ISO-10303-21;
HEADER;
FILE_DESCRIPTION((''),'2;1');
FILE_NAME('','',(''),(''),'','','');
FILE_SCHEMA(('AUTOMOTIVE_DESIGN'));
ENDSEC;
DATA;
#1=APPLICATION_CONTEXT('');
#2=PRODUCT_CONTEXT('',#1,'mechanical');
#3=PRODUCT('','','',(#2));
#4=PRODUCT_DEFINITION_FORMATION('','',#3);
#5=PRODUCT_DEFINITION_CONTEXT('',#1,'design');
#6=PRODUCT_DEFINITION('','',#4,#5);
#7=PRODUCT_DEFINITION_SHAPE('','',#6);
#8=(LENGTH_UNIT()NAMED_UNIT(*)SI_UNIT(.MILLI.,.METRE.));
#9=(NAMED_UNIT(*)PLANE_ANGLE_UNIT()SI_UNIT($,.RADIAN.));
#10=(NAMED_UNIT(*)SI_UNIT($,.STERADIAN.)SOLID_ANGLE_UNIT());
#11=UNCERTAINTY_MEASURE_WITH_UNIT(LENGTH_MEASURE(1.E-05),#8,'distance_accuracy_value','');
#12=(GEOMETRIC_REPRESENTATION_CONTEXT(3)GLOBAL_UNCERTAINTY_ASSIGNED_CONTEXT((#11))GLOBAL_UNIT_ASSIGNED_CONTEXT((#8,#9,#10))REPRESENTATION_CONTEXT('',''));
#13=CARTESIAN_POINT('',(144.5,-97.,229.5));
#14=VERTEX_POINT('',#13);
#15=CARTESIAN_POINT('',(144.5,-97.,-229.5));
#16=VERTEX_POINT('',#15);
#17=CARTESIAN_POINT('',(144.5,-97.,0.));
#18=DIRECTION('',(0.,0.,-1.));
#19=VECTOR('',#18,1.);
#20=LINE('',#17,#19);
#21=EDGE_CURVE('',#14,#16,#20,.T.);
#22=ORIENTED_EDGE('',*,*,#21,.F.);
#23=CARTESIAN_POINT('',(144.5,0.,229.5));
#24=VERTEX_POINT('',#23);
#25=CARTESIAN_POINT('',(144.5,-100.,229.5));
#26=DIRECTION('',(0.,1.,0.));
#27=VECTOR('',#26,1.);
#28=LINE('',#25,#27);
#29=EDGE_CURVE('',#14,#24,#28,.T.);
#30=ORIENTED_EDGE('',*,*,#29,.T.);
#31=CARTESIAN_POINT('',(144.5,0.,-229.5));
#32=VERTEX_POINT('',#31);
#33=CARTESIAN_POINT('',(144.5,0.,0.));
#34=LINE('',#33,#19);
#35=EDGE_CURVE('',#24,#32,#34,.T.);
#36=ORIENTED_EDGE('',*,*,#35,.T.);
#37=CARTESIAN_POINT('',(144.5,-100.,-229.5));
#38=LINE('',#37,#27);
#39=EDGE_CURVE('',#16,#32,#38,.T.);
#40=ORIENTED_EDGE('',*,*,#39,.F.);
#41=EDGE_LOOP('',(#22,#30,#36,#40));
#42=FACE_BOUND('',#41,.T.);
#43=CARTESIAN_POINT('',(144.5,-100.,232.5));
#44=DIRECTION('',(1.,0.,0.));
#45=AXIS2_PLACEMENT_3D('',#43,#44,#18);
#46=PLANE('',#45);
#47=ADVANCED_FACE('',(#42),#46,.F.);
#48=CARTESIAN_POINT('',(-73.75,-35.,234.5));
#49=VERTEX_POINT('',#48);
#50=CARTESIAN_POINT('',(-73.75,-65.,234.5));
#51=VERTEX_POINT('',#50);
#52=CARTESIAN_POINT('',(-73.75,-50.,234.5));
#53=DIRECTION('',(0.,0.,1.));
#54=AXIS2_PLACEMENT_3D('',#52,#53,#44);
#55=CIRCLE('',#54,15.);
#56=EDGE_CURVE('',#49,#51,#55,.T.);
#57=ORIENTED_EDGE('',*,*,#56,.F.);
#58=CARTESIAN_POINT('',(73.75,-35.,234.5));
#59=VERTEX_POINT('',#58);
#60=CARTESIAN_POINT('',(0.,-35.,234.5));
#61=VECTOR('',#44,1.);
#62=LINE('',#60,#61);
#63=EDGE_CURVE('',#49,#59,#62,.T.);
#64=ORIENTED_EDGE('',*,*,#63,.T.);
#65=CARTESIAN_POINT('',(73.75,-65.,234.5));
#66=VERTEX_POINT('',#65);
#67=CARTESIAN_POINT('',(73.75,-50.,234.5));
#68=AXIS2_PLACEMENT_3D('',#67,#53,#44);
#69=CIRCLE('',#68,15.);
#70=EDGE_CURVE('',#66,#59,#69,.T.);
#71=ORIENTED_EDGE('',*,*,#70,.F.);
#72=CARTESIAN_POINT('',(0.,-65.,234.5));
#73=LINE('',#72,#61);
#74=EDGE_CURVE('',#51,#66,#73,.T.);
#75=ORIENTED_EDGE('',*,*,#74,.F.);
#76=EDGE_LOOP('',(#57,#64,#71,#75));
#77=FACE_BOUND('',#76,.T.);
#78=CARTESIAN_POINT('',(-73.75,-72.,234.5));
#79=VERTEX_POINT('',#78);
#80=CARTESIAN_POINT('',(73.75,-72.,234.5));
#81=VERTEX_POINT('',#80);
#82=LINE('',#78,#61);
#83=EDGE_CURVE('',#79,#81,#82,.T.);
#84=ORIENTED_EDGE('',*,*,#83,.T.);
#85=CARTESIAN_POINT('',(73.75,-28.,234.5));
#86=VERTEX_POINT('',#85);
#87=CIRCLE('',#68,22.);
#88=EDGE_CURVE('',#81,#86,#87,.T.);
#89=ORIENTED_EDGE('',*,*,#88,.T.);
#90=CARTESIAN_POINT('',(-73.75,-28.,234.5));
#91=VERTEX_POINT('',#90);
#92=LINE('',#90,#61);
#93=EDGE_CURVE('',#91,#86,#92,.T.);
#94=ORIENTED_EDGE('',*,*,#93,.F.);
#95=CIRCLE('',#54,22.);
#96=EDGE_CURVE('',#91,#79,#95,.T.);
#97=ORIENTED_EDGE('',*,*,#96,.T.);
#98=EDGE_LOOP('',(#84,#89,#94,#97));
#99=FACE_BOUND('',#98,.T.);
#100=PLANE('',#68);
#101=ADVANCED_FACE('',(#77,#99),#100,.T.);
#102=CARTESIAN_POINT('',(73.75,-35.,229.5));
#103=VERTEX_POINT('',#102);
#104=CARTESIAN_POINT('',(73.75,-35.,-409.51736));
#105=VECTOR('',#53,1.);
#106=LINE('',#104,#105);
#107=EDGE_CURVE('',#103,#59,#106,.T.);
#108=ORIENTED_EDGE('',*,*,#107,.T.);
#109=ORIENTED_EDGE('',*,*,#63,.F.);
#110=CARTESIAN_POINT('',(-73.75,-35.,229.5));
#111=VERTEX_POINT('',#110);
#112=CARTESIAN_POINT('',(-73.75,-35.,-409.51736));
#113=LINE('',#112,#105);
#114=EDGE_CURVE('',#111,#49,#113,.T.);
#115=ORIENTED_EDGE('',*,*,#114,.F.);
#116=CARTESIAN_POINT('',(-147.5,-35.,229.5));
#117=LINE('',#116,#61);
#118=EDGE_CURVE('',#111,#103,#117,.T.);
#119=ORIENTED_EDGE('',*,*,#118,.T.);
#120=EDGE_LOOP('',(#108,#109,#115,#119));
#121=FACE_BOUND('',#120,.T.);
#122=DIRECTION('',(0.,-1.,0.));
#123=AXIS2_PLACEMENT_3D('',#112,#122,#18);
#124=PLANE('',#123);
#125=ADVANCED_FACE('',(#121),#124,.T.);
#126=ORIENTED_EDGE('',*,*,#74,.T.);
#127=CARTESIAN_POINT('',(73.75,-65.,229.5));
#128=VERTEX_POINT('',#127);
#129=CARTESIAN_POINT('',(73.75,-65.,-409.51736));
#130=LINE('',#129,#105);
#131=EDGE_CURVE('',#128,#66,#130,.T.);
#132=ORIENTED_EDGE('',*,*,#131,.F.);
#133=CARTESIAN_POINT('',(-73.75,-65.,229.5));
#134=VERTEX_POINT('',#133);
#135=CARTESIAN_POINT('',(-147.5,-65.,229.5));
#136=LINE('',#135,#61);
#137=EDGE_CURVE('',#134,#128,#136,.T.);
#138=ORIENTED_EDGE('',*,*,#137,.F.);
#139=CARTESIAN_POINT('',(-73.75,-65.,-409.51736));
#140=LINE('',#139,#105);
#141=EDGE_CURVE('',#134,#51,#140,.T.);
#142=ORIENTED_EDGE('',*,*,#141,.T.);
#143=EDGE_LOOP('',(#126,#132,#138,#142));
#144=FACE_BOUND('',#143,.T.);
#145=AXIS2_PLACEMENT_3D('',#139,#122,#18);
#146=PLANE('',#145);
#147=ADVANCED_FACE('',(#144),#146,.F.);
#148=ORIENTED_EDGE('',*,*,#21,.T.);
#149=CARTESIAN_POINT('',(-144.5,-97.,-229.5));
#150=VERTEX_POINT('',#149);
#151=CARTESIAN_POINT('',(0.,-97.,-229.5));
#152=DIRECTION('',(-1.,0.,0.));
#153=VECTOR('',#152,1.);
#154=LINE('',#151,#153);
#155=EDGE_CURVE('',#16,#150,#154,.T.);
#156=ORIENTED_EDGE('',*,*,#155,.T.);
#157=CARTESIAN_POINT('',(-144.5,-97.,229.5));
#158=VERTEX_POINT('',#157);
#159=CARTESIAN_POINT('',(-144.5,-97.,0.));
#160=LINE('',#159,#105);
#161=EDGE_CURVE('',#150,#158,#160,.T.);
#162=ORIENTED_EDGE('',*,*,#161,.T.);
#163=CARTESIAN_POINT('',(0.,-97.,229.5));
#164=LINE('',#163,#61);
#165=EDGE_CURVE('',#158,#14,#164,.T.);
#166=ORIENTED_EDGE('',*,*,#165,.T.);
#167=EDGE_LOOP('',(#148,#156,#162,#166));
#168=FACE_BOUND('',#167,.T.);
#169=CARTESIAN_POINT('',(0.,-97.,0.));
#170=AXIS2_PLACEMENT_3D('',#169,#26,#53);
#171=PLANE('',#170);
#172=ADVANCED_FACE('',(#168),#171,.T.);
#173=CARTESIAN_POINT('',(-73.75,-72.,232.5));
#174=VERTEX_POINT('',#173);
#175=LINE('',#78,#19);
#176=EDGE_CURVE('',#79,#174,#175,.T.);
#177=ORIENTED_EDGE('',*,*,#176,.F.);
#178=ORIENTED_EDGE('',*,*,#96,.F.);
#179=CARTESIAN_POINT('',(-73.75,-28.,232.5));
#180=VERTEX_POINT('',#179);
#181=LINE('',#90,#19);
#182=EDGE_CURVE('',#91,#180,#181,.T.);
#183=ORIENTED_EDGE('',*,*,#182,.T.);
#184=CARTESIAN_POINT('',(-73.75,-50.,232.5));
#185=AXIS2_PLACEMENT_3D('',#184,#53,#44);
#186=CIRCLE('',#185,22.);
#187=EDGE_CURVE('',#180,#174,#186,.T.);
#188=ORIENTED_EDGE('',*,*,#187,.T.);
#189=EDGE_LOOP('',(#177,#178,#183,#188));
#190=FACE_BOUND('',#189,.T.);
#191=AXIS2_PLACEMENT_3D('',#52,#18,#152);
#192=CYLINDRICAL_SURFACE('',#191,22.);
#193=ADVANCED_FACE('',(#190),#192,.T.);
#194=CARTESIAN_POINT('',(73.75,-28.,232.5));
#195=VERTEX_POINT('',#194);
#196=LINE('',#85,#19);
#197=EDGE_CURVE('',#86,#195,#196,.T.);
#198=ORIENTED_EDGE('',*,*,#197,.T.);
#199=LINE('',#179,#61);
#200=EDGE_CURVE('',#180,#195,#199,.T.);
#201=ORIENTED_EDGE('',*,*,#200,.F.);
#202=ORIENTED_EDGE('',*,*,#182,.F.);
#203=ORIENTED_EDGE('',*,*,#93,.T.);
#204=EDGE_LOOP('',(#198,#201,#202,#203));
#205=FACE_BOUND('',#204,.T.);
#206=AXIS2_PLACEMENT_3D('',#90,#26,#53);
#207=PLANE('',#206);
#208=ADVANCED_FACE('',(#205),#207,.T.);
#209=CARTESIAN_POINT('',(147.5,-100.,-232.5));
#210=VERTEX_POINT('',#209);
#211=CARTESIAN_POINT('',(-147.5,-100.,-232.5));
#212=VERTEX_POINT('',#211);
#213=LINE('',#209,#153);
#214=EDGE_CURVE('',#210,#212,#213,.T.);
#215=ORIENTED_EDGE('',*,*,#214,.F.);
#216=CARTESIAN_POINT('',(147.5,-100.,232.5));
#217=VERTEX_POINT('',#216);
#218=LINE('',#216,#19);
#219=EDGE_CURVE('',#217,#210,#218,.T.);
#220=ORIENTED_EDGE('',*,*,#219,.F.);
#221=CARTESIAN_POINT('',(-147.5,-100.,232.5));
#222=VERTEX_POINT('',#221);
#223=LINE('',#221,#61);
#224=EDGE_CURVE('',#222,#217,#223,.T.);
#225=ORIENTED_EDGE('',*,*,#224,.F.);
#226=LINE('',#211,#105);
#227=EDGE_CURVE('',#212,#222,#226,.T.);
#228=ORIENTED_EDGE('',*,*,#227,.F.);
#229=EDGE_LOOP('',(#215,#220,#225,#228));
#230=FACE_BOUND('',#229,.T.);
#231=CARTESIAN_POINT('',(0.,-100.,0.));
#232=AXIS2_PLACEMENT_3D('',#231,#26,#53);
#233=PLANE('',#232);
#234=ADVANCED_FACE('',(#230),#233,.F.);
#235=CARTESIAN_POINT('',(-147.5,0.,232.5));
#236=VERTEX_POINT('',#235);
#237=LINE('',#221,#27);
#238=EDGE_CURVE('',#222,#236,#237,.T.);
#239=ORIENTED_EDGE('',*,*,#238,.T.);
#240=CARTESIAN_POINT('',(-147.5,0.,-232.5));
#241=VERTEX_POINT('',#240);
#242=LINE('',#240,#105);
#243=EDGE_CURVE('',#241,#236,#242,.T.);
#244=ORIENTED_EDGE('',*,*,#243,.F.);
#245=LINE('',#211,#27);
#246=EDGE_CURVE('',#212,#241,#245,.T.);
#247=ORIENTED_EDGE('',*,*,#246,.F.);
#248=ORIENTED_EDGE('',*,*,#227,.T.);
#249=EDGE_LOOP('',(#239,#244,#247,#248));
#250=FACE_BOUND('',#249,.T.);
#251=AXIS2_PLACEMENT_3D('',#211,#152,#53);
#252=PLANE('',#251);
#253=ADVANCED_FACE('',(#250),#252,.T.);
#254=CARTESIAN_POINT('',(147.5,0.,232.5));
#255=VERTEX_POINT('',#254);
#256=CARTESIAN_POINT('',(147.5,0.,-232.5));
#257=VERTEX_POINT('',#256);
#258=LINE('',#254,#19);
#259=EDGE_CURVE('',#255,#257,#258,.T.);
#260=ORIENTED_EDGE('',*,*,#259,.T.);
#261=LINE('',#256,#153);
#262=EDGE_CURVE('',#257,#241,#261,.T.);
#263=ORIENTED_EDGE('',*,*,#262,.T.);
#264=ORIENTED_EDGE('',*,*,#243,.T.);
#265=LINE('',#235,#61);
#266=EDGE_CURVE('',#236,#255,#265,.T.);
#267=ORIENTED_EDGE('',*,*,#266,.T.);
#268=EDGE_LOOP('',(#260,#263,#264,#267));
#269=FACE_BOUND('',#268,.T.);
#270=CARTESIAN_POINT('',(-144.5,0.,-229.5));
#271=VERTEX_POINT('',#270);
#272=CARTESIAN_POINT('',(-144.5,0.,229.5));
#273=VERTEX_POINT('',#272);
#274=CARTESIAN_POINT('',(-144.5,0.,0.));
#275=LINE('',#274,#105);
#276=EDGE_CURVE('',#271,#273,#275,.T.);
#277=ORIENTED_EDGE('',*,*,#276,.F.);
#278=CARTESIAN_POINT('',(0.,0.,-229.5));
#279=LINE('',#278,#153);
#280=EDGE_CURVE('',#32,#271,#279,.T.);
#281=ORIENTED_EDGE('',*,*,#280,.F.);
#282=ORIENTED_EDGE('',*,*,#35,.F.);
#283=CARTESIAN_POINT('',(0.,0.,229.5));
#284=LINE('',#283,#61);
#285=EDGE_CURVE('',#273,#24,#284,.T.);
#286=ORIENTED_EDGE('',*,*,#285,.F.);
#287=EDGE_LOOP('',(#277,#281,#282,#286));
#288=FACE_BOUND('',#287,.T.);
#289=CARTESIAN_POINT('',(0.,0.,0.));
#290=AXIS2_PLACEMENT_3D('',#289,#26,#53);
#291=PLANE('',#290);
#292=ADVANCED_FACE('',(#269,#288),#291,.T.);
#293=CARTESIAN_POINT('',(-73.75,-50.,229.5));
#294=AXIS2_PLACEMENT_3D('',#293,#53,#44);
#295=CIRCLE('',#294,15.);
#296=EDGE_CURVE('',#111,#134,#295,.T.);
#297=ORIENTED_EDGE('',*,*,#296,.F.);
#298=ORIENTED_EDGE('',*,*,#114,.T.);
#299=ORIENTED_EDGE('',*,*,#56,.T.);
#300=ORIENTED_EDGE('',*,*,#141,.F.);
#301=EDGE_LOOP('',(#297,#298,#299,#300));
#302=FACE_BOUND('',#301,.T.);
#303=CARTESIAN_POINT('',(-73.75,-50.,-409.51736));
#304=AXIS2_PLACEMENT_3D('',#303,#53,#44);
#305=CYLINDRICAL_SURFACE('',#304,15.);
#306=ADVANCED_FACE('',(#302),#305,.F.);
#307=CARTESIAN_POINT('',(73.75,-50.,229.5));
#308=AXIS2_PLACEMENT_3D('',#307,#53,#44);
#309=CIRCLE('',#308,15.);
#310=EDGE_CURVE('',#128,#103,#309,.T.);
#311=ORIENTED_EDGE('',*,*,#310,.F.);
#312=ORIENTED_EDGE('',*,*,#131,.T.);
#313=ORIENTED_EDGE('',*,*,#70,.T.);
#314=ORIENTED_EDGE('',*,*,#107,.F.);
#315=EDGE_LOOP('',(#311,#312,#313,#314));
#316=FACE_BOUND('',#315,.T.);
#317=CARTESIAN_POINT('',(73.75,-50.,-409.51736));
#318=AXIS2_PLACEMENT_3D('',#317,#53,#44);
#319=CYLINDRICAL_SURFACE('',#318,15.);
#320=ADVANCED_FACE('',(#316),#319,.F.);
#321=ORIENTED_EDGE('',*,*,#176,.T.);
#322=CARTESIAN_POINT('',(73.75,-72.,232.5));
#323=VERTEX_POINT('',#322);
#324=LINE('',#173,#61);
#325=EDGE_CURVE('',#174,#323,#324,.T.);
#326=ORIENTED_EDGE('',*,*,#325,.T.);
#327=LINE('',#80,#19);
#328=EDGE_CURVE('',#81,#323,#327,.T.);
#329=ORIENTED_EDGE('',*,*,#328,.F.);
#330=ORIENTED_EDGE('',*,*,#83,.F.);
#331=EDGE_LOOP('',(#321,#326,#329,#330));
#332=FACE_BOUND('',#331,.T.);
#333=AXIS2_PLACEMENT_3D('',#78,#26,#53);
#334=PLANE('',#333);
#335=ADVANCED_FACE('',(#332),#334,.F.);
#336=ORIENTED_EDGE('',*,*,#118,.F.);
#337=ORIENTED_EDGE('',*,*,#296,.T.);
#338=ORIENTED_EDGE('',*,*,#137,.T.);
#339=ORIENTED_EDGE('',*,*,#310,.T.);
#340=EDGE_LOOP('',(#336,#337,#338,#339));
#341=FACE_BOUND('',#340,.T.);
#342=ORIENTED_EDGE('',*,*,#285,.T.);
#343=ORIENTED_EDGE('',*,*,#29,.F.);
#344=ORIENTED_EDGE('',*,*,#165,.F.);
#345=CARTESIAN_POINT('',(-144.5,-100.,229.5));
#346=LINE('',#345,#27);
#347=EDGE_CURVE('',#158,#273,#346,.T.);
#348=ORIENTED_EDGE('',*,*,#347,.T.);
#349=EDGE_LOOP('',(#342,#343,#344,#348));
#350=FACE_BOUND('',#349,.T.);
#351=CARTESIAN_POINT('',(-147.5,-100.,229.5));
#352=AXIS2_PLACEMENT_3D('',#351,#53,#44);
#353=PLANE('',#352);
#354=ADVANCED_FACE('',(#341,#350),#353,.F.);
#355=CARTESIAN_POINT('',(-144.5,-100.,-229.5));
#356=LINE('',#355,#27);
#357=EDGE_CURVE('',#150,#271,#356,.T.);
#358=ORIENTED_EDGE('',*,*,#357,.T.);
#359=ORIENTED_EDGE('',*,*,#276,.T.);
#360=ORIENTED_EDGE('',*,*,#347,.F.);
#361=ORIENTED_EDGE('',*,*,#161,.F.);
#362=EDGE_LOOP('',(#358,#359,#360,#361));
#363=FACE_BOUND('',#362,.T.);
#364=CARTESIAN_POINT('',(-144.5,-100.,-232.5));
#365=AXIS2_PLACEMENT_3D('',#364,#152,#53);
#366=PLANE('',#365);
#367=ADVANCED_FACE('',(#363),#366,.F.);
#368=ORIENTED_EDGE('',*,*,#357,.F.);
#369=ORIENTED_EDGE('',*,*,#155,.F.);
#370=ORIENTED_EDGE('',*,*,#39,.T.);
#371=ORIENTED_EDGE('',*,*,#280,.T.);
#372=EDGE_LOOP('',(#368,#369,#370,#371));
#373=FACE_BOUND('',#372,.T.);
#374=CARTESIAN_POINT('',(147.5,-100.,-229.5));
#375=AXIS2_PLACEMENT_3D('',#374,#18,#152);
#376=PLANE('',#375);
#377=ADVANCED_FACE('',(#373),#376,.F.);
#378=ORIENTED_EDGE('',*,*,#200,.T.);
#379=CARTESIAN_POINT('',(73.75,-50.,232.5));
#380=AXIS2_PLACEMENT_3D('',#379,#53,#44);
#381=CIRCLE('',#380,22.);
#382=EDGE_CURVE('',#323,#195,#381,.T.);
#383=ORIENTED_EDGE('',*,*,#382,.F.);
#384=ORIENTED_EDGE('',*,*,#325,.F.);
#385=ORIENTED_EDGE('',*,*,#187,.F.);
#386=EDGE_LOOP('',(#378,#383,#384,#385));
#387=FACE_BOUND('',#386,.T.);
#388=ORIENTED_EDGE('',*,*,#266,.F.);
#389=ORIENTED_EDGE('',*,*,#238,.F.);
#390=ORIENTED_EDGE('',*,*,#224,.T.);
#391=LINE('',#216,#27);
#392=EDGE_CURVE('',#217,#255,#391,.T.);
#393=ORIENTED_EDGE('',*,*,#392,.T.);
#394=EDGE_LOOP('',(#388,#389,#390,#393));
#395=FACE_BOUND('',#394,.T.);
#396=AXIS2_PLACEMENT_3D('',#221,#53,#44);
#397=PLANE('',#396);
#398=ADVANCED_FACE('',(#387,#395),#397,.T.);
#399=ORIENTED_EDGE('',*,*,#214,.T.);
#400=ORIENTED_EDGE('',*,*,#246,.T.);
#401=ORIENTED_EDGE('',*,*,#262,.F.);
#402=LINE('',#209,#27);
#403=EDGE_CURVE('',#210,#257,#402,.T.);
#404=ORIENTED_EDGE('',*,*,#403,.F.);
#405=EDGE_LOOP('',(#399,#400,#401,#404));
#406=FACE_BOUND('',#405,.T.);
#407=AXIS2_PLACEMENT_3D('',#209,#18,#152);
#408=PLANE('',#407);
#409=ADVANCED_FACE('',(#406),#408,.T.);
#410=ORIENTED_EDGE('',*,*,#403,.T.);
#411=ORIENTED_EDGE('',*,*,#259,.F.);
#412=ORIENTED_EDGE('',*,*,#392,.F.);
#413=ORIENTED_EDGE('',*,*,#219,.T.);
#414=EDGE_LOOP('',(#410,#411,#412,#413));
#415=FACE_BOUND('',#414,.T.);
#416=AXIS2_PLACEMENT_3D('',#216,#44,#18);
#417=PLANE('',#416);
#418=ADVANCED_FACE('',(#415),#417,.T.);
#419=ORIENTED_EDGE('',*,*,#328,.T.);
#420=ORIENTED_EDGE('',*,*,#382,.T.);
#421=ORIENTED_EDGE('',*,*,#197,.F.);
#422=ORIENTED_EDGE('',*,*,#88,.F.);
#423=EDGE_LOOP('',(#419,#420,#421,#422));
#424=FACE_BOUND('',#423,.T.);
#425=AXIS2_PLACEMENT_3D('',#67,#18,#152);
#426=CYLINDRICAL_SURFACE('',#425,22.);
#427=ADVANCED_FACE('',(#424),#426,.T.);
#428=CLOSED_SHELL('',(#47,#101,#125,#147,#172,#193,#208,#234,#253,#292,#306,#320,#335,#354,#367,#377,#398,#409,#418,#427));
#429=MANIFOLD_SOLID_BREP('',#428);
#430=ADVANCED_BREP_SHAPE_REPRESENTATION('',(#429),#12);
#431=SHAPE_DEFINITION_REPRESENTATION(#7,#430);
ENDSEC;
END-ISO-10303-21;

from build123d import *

# Parameters (mm, degrees)
SKETCH2_W           = 295
SKETCH2_H           = 465
BOSS_EXTRUDE1_DEPTH = 100
SHELL5_T            = -3
CUT_EXTRUDE5_DEPTH  = 462
BOSS_EXTRUDE2_START = 2
BOSS_EXTRUDE2_DEPTH = 2


with BuildPart() as part:
    # Sketch2 → Boss-Extrude1 (new body)
    with BuildSketch(Plane(origin=(0, 0, 0), x_dir=(1, 0, 0), z_dir=(0, 1, 0))):
        Rectangle(SKETCH2_W, SKETCH2_H)
    extrude(amount=-BOSS_EXTRUDE1_DEPTH)

    # Shell5
    shell5_openings = [part.faces().sort_by_distance(p)[0] for p in [
        (0, 0, 0),
    ]]
    offset(amount=SHELL5_T, openings=shell5_openings, kind=Kind.INTERSECTION)

    # Sketch3 → Cut-Extrude5 (cut)
    with BuildSketch(Plane.XY.offset(232.5)):
        with BuildLine():
            Line((-73.75, -35), (73.75, -35))
            ThreePointArc((73.75, -35), (88.75, -50), (73.75, -65))
            Line((73.75, -65), (-73.75, -65))
            ThreePointArc((-73.75, -65), (-88.75, -50), (-73.75, -35))
        make_face()
    extrude(amount=-CUT_EXTRUDE5_DEPTH, mode=Mode.SUBTRACT)

    # Sketch3<4> → Boss-Extrude2 (add)
    with BuildSketch(Plane.XY.offset(232.5).offset(BOSS_EXTRUDE2_START)):
        with BuildLine():
            Line((-73.75, -28), (73.75, -28))
            ThreePointArc((73.75, -28), (95.75, -50), (73.75, -72))
            Line((73.75, -72), (-73.75, -72))
            ThreePointArc((-73.75, -72), (-95.75, -50), (-73.75, -28))
        make_face()
        with BuildLine():
            Line((-73.75, -35), (73.75, -35))
            ThreePointArc((73.75, -35), (88.75, -50), (73.75, -65))
            Line((73.75, -65), (-73.75, -65))
            ThreePointArc((-73.75, -65), (-88.75, -50), (-73.75, -35))
        make_face(mode=Mode.SUBTRACT)
    extrude(amount=-BOSS_EXTRUDE2_DEPTH)


solid = part.part
